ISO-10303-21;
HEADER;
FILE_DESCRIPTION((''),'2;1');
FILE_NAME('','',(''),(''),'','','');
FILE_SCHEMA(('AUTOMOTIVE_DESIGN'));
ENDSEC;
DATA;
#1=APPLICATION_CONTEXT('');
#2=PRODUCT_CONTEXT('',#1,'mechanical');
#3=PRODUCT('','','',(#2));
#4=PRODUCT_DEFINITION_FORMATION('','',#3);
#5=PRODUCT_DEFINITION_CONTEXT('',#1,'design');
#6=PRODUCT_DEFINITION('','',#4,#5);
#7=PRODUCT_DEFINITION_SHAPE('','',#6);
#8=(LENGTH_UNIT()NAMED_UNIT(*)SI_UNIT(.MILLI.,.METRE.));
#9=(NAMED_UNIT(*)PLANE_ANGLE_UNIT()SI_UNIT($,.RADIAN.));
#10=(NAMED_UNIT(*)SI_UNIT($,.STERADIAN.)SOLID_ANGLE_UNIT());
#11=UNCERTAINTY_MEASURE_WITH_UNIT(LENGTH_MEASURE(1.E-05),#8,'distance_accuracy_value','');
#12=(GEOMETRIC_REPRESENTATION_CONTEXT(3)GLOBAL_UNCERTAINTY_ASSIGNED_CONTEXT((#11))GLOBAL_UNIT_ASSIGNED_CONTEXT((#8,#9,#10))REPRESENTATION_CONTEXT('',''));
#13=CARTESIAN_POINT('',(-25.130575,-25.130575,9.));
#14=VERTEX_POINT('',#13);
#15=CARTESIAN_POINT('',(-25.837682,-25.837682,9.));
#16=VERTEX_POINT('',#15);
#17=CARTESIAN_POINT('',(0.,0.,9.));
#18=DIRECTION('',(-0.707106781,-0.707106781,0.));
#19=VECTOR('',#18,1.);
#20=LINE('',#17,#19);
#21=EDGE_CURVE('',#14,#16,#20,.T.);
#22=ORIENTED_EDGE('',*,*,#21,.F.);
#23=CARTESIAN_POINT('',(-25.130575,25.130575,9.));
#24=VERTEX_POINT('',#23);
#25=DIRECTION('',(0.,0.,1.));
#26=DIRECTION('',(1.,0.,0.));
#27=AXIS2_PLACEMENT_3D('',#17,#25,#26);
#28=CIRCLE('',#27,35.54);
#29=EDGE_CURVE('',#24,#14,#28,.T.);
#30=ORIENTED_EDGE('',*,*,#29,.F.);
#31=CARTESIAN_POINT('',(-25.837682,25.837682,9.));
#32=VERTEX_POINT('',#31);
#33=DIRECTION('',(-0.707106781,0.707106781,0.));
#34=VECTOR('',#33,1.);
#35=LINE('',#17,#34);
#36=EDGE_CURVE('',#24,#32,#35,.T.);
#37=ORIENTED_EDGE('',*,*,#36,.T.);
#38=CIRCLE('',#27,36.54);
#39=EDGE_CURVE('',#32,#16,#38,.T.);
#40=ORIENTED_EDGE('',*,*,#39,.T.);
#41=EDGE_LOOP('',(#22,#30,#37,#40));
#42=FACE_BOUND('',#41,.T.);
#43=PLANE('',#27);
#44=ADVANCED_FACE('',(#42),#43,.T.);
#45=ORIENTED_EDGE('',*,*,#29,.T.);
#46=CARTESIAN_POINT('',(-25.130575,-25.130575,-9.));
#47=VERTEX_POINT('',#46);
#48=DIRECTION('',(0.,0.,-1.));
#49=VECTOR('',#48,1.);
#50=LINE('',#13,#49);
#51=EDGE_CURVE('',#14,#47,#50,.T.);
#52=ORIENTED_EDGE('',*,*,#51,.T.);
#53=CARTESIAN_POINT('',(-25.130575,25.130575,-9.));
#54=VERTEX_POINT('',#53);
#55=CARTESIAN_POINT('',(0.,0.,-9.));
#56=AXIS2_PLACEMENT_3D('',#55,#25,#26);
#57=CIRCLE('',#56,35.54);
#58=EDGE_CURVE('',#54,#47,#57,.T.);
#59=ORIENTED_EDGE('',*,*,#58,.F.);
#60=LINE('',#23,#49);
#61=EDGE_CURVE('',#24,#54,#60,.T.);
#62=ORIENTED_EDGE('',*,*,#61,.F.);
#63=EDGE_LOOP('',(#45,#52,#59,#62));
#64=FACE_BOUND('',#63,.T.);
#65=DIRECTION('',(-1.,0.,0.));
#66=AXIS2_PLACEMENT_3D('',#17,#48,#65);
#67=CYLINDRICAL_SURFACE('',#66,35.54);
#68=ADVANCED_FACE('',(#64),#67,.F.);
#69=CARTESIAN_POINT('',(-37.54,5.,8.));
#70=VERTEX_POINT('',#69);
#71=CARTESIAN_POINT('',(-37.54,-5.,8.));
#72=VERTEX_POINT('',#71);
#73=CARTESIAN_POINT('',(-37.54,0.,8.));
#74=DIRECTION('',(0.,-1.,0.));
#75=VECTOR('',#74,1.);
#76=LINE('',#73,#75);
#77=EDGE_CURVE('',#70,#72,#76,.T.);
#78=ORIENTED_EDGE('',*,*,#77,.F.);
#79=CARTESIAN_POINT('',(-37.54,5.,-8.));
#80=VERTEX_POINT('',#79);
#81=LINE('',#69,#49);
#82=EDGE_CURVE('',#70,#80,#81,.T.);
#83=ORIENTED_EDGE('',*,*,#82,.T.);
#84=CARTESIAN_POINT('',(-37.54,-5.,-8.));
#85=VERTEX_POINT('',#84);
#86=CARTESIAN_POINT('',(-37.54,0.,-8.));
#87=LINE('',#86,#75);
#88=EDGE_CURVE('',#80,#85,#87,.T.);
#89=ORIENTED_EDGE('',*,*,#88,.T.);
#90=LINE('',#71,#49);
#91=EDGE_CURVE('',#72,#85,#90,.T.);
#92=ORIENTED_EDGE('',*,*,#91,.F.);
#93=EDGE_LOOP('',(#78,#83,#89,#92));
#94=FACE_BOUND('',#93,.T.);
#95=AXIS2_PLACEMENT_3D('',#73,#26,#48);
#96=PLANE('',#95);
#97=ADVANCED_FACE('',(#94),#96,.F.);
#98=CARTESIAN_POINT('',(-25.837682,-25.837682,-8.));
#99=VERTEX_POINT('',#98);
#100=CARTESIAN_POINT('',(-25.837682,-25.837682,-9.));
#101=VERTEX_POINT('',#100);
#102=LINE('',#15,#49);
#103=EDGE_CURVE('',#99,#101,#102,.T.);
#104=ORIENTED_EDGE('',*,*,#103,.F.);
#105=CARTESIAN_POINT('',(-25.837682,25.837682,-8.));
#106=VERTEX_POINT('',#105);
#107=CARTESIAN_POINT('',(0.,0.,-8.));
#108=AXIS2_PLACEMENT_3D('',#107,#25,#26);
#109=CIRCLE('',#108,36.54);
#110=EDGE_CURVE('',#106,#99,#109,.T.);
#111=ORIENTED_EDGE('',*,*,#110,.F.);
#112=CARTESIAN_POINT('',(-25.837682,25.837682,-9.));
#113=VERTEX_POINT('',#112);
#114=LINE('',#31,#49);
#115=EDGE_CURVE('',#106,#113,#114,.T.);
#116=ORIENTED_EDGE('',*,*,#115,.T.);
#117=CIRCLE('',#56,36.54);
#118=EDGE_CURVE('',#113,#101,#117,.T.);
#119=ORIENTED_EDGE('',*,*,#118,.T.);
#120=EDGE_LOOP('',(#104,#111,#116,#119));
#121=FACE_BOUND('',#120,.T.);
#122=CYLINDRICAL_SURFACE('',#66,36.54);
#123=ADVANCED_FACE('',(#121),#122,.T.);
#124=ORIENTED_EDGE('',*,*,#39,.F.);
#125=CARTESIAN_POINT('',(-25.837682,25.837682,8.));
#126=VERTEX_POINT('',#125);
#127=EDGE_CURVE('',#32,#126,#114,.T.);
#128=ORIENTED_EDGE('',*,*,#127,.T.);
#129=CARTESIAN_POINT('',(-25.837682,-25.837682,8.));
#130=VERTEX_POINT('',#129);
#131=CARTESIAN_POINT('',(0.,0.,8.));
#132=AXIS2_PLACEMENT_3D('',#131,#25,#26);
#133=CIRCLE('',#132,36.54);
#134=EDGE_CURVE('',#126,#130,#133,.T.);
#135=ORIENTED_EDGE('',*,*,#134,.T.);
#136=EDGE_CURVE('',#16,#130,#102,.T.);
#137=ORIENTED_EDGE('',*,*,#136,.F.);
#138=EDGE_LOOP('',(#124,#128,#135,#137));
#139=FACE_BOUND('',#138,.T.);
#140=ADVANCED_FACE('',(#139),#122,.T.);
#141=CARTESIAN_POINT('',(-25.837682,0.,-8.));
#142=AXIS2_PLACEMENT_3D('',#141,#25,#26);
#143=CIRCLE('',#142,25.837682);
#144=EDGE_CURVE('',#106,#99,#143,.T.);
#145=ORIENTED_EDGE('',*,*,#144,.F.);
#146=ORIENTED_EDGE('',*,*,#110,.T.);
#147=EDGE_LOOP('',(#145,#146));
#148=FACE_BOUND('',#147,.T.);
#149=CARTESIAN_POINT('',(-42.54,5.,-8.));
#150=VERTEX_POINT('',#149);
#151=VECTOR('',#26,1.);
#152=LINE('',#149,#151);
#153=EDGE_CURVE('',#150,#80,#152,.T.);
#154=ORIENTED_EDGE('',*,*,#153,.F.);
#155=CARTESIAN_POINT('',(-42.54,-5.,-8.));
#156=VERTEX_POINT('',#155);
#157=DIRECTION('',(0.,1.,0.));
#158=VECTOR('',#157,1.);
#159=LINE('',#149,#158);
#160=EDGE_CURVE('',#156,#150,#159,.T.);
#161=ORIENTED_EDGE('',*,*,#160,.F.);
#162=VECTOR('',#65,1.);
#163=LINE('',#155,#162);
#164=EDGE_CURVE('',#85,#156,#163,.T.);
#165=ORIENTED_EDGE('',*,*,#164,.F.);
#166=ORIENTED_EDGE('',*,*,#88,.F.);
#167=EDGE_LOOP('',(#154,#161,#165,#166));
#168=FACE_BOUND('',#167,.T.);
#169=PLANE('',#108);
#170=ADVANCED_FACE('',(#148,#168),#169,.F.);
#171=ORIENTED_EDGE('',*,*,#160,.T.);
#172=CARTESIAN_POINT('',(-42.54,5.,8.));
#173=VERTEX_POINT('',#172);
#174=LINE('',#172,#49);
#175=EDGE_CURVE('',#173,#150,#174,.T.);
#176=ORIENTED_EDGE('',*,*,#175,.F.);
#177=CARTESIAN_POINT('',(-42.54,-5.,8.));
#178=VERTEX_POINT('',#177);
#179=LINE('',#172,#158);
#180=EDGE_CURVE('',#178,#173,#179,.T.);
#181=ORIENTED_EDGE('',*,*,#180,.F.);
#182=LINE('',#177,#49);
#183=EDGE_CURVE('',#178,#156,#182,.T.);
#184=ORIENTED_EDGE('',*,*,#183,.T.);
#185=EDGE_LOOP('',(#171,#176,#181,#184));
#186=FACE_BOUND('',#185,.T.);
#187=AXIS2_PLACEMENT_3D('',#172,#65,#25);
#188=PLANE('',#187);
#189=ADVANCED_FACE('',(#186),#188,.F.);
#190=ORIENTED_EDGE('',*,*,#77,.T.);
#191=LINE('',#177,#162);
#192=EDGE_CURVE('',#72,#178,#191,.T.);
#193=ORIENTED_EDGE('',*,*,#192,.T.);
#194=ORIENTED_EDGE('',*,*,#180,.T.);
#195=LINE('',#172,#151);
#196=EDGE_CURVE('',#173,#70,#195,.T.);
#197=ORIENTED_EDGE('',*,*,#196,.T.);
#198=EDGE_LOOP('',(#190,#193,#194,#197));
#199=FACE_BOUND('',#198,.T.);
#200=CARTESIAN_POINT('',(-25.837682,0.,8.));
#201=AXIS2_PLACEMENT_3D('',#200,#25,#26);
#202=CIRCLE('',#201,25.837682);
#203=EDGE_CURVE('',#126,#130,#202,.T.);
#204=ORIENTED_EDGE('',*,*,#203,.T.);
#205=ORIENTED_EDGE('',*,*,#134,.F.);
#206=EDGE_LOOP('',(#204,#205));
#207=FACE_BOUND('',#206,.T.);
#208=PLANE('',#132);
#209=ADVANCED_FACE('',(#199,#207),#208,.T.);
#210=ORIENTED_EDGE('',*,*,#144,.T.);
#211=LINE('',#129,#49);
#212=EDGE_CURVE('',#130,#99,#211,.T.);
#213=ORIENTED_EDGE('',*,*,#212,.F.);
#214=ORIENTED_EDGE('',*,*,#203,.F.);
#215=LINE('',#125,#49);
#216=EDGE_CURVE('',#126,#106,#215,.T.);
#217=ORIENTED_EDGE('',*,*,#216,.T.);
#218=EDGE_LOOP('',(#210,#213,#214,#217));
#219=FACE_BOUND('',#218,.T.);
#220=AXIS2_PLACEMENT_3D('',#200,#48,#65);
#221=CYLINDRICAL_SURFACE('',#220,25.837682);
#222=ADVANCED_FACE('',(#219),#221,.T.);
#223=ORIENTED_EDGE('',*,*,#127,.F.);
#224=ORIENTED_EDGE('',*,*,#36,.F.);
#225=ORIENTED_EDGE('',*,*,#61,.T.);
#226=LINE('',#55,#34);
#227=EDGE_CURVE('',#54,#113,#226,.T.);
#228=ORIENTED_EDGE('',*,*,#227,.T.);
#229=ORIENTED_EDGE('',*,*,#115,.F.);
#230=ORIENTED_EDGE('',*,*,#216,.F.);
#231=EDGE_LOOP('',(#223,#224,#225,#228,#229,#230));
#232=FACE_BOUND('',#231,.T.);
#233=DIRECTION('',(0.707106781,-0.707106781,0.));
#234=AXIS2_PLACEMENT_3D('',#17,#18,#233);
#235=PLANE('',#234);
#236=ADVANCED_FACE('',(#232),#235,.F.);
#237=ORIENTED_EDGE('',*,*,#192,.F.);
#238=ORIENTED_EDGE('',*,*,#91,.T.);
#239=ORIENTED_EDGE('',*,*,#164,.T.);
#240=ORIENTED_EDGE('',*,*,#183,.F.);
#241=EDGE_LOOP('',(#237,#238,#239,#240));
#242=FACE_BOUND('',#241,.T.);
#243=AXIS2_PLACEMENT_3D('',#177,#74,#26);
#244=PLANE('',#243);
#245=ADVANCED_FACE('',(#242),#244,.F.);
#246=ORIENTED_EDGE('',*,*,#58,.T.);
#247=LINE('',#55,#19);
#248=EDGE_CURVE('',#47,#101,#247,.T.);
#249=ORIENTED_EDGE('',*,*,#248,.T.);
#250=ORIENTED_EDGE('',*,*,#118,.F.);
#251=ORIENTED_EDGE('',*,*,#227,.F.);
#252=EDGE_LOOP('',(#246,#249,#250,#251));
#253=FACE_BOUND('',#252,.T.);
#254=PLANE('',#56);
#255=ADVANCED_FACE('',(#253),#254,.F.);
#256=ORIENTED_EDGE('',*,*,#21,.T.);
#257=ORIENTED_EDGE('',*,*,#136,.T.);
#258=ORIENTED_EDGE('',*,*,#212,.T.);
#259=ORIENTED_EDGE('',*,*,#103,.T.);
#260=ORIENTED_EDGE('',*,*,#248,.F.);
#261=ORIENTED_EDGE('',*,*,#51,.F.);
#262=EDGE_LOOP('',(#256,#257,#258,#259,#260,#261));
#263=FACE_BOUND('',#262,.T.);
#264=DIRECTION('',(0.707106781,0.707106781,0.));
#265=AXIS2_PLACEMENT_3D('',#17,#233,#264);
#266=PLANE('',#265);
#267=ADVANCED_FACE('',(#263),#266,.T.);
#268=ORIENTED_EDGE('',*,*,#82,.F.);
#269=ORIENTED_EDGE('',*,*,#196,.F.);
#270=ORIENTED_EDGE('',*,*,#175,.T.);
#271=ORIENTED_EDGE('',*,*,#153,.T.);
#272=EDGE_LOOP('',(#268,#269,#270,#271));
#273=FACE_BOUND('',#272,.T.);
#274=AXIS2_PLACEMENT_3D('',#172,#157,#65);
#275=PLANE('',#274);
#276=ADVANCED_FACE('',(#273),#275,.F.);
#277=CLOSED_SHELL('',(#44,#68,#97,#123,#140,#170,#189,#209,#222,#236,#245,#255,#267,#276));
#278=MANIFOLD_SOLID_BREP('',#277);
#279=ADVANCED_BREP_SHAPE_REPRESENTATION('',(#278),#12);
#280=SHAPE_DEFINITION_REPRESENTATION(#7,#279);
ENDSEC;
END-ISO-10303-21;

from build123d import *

# Parameters (mm, degrees)
BOSS_EXTRUDE1_DEPTH = 9
BOSS_EXTRUDE2_DEPTH = 8
BOSS_EXTRUDE3_DEPTH = 8
BOSS_EXTRUDE4_DEPTH = 8


with BuildPart() as part:
    # Sketch2 → Boss-Extrude1 (new, symmetric)
    with BuildSketch(Plane.XY):
        with BuildLine():
            ThreePointArc((-25.130575003, -25.130575003), (-35.54, 0), (-25.130575003, 25.130575003))
            Line((-25.130575003, 25.130575003), (-25.837681785, 25.837681785))
            ThreePointArc((-25.837681785, 25.837681785), (-36.54, 0), (-25.837681785, -25.837681785))
            Line((-25.837681785, -25.837681785), (-25.130575003, -25.130575003))
        make_face()
    extrude(amount=BOSS_EXTRUDE1_DEPTH, both=True)

    # Sketch3 → Boss-Extrude2 (add, symmetric)
    with BuildSketch(Plane.XY):
        with BuildLine():
            ThreePointArc((-25.837681785, 25.837681785), (-33.599252383, 16.491716629), (-37.54, 5))
            Line((-37.54, 5), (-37.54, 0))
            Line((-37.54, 0), (-37.54, -5))
            ThreePointArc((-37.54, -5), (-33.599252383, -16.491716629), (-25.837681785, -25.837681785))
            ThreePointArc((-25.837681785, -25.837681785), (-36.54, 0), (-25.837681785, 25.837681785))
        make_face()
    extrude(amount=BOSS_EXTRUDE2_DEPTH, both=True)



with BuildPart() as body_2:
    # Sketch4 → Boss-Extrude3 (new, symmetric)
    with BuildSketch(Plane.XY):
        with BuildLine():
            Line((-42.54, 5), (-42.54, -5))
            ThreePointArc((-42.54, -5), (-36.829168158, -17.535179295), (-25.837681785, -25.837681785))
            ThreePointArc((-25.837681785, -25.837681785), (-51.675363569, 0), (-25.837681785, 25.837681785))
            ThreePointArc((-25.837681785, 25.837681785), (-36.829168158, 17.535179295), (-42.54, 5))
        make_face()
    extrude(amount=BOSS_EXTRUDE3_DEPTH, both=True)


with BuildPart() as part_1:
    add(part.part)

    add(body_2.part)  # Boss-Extrude4 merges body 2
    # Sketch5 → Boss-Extrude4 (add, symmetric)
    with BuildSketch(Plane.XY):
        with BuildLine():
            Line((-42.54, 5), (-37.54, 5))
            ThreePointArc((-37.54, 5), (-33.599252383, 16.491716629), (-25.837681785, 25.837681785))
            ThreePointArc((-25.837681785, 25.837681785), (-36.829168158, 17.535179295), (-42.54, 5))
        make_face()
        with BuildLine():
            Line((-42.54, -5), (-37.54, -5))
            ThreePointArc((-37.54, -5), (-33.599252383, -16.491716629), (-25.837681785, -25.837681785))
            ThreePointArc((-25.837681785, -25.837681785), (-36.829168158, -17.535179295), (-42.54, -5))
        make_face()
    extrude(amount=BOSS_EXTRUDE4_DEPTH, both=True)


solid = part_1.part
